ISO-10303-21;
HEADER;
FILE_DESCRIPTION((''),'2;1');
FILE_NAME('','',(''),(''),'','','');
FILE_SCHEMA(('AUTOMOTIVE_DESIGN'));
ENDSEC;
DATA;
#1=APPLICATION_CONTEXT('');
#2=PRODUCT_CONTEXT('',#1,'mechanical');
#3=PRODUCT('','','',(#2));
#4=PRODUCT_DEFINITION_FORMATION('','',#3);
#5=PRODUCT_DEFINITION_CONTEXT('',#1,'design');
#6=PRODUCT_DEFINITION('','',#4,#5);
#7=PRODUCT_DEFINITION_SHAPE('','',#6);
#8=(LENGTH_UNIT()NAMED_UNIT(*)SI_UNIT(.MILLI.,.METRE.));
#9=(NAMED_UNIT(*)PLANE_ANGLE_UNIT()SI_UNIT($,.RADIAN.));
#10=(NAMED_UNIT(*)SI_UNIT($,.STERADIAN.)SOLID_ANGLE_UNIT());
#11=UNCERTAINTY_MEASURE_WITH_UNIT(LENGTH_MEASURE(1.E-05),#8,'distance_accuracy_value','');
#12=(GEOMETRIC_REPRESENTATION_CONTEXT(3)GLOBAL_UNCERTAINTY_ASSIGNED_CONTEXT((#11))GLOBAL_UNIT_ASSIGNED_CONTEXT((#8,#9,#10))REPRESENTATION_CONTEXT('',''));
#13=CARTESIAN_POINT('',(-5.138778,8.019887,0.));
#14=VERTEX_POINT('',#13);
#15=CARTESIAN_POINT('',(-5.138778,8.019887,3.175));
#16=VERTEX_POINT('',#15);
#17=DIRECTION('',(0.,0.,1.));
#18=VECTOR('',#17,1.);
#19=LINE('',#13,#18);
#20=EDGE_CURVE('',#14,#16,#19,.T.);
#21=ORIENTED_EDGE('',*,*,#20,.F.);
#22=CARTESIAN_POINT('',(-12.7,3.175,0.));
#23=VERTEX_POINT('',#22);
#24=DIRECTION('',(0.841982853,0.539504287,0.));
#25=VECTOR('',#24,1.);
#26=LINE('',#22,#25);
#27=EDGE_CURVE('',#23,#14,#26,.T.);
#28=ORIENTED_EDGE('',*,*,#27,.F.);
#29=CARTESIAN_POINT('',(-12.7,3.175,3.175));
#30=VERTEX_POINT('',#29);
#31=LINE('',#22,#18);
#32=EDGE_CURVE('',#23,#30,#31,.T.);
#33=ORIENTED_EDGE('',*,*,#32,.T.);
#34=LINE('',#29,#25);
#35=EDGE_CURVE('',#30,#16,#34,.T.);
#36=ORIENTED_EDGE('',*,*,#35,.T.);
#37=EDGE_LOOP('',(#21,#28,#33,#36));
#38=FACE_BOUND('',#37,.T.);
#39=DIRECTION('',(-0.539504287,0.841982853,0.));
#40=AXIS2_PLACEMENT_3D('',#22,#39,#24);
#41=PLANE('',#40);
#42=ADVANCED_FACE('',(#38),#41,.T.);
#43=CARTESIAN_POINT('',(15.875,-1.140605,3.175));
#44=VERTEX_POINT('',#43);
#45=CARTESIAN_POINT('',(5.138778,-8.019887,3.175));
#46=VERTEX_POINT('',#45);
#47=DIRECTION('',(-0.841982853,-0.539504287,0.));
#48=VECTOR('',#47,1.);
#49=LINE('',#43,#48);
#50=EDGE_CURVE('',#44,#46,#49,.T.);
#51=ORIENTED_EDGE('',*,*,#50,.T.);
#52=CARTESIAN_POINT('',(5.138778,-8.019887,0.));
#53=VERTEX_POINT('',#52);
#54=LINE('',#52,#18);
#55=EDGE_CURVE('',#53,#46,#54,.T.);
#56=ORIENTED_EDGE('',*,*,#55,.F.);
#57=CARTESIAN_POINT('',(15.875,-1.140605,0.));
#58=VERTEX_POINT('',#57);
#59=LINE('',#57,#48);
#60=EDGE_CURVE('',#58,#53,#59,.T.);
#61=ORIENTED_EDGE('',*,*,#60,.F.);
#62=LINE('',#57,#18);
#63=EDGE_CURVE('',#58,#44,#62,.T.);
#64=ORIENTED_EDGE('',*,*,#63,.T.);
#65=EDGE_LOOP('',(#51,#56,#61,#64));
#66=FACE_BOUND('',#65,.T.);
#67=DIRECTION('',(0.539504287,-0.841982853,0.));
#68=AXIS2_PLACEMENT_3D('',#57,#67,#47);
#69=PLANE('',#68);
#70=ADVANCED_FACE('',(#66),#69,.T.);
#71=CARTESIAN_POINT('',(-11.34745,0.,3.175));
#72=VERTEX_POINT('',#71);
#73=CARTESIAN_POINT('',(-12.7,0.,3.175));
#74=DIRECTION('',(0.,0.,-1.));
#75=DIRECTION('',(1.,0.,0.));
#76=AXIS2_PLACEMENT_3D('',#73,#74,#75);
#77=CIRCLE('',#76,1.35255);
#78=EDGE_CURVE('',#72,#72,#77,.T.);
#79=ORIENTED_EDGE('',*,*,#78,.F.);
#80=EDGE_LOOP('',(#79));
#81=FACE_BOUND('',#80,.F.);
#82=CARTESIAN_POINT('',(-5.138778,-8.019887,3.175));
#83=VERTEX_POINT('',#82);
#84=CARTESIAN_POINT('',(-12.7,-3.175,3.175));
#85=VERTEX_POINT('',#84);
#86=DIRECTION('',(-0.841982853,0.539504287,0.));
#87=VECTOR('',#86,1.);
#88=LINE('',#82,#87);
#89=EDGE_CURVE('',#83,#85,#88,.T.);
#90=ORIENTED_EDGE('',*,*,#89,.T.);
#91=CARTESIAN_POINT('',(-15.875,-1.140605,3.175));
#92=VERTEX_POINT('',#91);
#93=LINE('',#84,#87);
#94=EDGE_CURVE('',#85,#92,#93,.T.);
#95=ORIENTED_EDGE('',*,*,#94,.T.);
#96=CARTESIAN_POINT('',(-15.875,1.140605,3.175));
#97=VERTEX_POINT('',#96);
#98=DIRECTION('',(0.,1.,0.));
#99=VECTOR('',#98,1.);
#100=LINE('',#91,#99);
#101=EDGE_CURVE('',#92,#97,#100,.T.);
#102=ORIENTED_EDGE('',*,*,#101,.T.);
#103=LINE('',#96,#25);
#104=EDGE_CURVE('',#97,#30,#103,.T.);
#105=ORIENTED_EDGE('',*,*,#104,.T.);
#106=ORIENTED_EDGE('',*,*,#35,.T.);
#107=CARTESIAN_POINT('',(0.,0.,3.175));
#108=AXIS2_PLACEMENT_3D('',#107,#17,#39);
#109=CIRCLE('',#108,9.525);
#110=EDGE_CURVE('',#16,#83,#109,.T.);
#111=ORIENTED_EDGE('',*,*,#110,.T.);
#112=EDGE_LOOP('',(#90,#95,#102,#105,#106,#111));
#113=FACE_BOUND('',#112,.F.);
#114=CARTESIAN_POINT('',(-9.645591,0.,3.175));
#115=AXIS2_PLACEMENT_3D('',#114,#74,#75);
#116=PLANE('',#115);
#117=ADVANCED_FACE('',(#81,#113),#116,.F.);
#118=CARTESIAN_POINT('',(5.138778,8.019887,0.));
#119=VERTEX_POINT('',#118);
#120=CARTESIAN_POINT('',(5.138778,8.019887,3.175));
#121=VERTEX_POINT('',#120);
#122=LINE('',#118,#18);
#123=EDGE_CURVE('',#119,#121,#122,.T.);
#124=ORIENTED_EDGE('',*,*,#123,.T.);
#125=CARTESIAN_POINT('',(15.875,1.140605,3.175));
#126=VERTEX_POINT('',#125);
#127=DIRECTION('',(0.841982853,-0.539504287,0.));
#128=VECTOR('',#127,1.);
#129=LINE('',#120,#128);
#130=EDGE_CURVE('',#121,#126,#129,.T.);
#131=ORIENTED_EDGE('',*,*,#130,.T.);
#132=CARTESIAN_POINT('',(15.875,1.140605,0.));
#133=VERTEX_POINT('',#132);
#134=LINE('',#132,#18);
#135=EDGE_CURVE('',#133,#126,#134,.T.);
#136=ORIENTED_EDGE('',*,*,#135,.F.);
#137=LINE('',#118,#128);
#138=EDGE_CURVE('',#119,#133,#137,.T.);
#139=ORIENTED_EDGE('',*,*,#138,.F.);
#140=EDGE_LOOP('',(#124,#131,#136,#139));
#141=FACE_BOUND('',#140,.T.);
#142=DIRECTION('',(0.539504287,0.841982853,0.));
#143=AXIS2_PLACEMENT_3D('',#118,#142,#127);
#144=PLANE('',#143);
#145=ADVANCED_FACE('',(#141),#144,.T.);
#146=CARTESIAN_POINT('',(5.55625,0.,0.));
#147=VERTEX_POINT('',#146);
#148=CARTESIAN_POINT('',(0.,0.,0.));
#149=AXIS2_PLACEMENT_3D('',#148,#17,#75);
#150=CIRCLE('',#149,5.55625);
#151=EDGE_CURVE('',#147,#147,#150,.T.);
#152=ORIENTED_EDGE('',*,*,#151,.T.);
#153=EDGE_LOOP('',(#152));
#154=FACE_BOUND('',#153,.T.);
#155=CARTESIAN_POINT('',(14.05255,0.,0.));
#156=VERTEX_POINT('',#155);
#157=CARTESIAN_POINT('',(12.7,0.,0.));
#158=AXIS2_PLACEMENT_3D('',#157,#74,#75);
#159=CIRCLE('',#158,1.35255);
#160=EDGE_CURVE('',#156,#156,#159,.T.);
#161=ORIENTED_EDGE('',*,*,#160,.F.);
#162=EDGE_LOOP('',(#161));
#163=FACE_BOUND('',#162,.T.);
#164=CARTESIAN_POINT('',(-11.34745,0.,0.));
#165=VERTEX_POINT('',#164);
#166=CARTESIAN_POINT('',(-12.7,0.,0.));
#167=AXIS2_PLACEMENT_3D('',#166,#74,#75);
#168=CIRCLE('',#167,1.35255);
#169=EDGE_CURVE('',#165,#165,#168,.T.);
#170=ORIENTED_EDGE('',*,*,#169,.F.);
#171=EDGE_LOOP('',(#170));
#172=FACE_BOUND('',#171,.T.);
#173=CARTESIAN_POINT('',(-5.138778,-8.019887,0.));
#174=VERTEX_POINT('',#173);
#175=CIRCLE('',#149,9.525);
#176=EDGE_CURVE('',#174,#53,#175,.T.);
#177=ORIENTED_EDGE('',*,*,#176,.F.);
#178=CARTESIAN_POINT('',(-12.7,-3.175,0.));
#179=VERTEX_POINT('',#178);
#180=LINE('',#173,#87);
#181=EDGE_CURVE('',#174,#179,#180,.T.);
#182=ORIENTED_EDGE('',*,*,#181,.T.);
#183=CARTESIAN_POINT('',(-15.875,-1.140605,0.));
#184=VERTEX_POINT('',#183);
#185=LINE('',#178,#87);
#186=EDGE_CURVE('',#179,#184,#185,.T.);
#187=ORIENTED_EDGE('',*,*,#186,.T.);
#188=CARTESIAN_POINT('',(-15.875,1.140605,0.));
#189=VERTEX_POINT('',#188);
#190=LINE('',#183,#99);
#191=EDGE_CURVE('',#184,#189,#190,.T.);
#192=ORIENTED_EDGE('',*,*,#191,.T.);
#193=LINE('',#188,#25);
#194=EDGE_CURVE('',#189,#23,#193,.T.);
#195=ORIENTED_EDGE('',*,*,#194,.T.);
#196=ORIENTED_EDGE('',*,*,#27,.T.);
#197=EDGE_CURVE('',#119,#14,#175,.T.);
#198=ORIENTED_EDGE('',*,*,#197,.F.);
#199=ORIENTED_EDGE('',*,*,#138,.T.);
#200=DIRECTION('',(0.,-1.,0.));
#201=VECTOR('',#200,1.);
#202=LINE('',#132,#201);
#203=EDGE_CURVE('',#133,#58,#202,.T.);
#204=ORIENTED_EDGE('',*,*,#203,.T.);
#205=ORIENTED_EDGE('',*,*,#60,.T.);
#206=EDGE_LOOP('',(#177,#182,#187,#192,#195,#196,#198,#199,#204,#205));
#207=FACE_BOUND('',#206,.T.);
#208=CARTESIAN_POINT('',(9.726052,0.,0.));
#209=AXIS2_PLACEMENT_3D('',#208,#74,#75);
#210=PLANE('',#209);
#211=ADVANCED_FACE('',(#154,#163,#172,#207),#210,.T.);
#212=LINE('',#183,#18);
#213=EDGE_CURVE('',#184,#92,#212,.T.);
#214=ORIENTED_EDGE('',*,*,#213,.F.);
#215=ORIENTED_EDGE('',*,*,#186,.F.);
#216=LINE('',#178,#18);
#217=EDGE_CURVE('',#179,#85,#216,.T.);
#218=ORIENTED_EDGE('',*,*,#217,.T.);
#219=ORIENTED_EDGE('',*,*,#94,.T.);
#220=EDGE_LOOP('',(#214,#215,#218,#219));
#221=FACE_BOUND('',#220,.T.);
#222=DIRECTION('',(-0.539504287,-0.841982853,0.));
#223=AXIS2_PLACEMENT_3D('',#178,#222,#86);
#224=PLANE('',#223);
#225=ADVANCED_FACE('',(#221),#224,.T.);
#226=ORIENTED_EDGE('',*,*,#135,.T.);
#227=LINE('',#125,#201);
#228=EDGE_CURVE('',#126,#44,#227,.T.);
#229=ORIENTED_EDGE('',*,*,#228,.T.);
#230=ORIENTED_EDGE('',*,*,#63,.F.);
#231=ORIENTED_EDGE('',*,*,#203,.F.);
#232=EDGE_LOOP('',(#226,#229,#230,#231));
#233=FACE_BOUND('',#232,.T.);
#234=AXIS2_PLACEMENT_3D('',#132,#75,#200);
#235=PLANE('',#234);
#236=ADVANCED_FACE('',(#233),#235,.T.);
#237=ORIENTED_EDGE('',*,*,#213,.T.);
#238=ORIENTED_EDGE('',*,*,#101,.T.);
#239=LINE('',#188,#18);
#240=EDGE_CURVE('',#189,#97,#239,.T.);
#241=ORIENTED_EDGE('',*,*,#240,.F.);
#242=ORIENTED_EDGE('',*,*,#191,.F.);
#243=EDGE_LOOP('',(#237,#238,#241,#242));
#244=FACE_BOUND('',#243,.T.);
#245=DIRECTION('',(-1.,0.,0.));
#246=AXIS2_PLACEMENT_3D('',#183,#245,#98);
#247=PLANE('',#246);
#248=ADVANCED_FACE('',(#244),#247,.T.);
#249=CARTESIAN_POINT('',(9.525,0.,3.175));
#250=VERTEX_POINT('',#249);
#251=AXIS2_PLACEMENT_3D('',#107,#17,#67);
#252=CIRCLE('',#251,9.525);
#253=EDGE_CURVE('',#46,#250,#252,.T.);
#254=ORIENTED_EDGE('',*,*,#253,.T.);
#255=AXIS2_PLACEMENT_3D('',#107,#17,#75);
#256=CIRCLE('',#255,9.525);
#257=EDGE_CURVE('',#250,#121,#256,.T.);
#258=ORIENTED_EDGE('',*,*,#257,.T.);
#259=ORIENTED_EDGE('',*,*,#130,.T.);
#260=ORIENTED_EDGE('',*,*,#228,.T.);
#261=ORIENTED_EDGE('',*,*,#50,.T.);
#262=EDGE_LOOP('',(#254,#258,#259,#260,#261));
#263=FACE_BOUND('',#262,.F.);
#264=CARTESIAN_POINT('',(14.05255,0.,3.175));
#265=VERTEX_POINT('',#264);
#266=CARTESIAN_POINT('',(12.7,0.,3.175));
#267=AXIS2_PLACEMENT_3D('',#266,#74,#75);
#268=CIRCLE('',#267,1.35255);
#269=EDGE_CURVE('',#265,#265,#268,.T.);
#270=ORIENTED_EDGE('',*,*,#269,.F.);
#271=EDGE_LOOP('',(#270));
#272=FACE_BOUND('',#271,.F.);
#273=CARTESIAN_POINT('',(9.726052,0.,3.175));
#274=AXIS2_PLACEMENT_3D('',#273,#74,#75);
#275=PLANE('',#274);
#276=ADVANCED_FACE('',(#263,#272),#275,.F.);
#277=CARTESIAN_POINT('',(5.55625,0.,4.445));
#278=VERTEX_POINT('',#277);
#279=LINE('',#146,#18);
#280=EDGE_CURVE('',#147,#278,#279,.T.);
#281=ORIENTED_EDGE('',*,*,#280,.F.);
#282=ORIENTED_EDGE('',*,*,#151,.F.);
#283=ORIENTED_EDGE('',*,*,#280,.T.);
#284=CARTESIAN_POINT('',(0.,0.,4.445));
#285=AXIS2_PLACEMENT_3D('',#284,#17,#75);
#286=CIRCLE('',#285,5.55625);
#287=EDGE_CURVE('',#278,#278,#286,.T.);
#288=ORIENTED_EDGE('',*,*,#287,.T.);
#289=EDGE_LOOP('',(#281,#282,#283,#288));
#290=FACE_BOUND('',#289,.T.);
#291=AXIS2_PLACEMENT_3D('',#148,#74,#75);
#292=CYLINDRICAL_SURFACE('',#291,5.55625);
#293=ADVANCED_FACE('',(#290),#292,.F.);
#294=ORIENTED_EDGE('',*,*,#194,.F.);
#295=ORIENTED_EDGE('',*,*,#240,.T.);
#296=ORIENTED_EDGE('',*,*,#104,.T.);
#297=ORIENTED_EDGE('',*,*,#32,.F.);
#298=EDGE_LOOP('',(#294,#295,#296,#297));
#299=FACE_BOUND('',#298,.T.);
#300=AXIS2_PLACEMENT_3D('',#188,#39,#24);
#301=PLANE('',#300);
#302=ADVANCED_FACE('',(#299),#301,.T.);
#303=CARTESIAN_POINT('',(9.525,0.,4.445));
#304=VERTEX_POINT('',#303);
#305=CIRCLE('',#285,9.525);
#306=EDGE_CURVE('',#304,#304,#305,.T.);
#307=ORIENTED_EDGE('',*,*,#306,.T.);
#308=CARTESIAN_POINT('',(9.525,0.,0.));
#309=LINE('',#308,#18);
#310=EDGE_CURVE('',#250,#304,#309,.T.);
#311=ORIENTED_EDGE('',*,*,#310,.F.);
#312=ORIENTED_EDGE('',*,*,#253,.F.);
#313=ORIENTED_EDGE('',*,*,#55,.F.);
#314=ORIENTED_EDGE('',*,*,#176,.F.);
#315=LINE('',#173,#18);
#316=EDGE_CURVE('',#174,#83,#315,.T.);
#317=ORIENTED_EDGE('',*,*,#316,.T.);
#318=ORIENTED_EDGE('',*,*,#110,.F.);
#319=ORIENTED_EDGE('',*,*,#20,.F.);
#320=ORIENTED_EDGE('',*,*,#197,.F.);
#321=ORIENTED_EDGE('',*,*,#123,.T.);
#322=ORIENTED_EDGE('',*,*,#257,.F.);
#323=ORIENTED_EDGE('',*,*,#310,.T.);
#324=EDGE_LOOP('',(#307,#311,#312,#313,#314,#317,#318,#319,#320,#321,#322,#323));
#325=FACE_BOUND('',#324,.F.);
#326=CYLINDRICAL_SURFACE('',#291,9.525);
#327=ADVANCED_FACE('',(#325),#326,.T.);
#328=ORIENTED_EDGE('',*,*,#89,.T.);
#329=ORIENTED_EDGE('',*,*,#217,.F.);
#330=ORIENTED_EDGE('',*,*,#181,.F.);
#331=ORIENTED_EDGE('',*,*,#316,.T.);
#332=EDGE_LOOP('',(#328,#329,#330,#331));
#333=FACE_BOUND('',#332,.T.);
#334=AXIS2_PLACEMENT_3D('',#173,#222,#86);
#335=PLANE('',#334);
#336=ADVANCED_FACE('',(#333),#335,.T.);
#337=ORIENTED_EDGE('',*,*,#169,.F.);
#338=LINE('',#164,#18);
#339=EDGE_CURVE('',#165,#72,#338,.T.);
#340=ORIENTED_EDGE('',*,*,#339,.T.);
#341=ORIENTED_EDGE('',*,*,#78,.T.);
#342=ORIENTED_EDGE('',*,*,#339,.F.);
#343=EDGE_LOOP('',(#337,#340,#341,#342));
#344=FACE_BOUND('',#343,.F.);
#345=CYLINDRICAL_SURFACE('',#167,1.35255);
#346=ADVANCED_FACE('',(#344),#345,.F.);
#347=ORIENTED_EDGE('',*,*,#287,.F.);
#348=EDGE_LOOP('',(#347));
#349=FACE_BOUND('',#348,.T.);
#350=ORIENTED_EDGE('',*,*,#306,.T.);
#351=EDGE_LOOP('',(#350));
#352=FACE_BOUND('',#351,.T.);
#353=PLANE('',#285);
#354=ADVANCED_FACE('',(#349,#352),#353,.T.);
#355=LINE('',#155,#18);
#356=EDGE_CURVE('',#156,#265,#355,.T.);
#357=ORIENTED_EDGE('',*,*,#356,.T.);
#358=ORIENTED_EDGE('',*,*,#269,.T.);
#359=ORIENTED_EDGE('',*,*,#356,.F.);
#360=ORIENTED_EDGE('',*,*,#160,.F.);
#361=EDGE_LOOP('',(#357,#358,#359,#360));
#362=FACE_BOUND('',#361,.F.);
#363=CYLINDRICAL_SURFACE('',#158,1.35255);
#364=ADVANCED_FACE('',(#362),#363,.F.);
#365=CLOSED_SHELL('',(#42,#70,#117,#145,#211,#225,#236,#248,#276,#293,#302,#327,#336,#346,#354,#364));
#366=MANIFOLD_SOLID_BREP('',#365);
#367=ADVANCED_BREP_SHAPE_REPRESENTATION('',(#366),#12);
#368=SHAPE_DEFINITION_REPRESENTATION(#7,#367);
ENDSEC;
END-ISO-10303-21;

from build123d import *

# Parameters (mm, degrees)
F0_R     = 9.525
F0_R_2   = 5.55625
F1_DEPTH = 4.445
F2_R     = 1.35255
F3_DEPTH = 3.175


with BuildPart() as f1:
    # F0 (on Top) → F1 (new body)
    with BuildSketch(Plane.XY):
        Circle(F0_R)
        Circle(F0_R_2, mode=Mode.SUBTRACT)
    extrude(amount=F1_DEPTH)

    # F2 (on face) → F3 (join)
    with BuildSketch(Plane(origin=(0, 0, 0), x_dir=(1, 0, 0), z_dir=(0, 0, -1))):
        with BuildLine():
            Line((-5.1387783316, 8.0198866737), (-12.7, 3.175))
            Line((-12.7, 3.175), (-15.875, 1.1406045195))
            Line((-15.875, 1.1406045195), (-15.875, -1.1406045195))
            Line((-15.875, -1.1406045195), (-12.7, -3.175))
            Line((-12.7, -3.175), (-5.1387783316, -8.0198866737))
            ThreePointArc((-5.1387783316, -8.0198866737), (-9.525, 0), (-5.1387783316, 8.0198866737))
        make_face()
        with Locations((-12.7, 0)):
            Circle(F2_R, mode=Mode.SUBTRACT)
        with BuildLine():
            Line((15.875, 1.1406045195), (5.1387783316, 8.0198866737))
            ThreePointArc((5.1387783316, 8.0198866737), (8.3568082606, 4.570490203), (9.525, 0))
            ThreePointArc((9.525, 0), (8.3568082606, -4.570490203), (5.1387783316, -8.0198866737))
            Line((5.1387783316, -8.0198866737), (15.875, -1.1406045195))
            Line((15.875, -1.1406045195), (15.875, 1.1406045195))
        make_face()
        with Locations((12.7, 0)):
            Circle(F2_R, mode=Mode.SUBTRACT)
    extrude(amount=-F3_DEPTH)


solid = f1.part
